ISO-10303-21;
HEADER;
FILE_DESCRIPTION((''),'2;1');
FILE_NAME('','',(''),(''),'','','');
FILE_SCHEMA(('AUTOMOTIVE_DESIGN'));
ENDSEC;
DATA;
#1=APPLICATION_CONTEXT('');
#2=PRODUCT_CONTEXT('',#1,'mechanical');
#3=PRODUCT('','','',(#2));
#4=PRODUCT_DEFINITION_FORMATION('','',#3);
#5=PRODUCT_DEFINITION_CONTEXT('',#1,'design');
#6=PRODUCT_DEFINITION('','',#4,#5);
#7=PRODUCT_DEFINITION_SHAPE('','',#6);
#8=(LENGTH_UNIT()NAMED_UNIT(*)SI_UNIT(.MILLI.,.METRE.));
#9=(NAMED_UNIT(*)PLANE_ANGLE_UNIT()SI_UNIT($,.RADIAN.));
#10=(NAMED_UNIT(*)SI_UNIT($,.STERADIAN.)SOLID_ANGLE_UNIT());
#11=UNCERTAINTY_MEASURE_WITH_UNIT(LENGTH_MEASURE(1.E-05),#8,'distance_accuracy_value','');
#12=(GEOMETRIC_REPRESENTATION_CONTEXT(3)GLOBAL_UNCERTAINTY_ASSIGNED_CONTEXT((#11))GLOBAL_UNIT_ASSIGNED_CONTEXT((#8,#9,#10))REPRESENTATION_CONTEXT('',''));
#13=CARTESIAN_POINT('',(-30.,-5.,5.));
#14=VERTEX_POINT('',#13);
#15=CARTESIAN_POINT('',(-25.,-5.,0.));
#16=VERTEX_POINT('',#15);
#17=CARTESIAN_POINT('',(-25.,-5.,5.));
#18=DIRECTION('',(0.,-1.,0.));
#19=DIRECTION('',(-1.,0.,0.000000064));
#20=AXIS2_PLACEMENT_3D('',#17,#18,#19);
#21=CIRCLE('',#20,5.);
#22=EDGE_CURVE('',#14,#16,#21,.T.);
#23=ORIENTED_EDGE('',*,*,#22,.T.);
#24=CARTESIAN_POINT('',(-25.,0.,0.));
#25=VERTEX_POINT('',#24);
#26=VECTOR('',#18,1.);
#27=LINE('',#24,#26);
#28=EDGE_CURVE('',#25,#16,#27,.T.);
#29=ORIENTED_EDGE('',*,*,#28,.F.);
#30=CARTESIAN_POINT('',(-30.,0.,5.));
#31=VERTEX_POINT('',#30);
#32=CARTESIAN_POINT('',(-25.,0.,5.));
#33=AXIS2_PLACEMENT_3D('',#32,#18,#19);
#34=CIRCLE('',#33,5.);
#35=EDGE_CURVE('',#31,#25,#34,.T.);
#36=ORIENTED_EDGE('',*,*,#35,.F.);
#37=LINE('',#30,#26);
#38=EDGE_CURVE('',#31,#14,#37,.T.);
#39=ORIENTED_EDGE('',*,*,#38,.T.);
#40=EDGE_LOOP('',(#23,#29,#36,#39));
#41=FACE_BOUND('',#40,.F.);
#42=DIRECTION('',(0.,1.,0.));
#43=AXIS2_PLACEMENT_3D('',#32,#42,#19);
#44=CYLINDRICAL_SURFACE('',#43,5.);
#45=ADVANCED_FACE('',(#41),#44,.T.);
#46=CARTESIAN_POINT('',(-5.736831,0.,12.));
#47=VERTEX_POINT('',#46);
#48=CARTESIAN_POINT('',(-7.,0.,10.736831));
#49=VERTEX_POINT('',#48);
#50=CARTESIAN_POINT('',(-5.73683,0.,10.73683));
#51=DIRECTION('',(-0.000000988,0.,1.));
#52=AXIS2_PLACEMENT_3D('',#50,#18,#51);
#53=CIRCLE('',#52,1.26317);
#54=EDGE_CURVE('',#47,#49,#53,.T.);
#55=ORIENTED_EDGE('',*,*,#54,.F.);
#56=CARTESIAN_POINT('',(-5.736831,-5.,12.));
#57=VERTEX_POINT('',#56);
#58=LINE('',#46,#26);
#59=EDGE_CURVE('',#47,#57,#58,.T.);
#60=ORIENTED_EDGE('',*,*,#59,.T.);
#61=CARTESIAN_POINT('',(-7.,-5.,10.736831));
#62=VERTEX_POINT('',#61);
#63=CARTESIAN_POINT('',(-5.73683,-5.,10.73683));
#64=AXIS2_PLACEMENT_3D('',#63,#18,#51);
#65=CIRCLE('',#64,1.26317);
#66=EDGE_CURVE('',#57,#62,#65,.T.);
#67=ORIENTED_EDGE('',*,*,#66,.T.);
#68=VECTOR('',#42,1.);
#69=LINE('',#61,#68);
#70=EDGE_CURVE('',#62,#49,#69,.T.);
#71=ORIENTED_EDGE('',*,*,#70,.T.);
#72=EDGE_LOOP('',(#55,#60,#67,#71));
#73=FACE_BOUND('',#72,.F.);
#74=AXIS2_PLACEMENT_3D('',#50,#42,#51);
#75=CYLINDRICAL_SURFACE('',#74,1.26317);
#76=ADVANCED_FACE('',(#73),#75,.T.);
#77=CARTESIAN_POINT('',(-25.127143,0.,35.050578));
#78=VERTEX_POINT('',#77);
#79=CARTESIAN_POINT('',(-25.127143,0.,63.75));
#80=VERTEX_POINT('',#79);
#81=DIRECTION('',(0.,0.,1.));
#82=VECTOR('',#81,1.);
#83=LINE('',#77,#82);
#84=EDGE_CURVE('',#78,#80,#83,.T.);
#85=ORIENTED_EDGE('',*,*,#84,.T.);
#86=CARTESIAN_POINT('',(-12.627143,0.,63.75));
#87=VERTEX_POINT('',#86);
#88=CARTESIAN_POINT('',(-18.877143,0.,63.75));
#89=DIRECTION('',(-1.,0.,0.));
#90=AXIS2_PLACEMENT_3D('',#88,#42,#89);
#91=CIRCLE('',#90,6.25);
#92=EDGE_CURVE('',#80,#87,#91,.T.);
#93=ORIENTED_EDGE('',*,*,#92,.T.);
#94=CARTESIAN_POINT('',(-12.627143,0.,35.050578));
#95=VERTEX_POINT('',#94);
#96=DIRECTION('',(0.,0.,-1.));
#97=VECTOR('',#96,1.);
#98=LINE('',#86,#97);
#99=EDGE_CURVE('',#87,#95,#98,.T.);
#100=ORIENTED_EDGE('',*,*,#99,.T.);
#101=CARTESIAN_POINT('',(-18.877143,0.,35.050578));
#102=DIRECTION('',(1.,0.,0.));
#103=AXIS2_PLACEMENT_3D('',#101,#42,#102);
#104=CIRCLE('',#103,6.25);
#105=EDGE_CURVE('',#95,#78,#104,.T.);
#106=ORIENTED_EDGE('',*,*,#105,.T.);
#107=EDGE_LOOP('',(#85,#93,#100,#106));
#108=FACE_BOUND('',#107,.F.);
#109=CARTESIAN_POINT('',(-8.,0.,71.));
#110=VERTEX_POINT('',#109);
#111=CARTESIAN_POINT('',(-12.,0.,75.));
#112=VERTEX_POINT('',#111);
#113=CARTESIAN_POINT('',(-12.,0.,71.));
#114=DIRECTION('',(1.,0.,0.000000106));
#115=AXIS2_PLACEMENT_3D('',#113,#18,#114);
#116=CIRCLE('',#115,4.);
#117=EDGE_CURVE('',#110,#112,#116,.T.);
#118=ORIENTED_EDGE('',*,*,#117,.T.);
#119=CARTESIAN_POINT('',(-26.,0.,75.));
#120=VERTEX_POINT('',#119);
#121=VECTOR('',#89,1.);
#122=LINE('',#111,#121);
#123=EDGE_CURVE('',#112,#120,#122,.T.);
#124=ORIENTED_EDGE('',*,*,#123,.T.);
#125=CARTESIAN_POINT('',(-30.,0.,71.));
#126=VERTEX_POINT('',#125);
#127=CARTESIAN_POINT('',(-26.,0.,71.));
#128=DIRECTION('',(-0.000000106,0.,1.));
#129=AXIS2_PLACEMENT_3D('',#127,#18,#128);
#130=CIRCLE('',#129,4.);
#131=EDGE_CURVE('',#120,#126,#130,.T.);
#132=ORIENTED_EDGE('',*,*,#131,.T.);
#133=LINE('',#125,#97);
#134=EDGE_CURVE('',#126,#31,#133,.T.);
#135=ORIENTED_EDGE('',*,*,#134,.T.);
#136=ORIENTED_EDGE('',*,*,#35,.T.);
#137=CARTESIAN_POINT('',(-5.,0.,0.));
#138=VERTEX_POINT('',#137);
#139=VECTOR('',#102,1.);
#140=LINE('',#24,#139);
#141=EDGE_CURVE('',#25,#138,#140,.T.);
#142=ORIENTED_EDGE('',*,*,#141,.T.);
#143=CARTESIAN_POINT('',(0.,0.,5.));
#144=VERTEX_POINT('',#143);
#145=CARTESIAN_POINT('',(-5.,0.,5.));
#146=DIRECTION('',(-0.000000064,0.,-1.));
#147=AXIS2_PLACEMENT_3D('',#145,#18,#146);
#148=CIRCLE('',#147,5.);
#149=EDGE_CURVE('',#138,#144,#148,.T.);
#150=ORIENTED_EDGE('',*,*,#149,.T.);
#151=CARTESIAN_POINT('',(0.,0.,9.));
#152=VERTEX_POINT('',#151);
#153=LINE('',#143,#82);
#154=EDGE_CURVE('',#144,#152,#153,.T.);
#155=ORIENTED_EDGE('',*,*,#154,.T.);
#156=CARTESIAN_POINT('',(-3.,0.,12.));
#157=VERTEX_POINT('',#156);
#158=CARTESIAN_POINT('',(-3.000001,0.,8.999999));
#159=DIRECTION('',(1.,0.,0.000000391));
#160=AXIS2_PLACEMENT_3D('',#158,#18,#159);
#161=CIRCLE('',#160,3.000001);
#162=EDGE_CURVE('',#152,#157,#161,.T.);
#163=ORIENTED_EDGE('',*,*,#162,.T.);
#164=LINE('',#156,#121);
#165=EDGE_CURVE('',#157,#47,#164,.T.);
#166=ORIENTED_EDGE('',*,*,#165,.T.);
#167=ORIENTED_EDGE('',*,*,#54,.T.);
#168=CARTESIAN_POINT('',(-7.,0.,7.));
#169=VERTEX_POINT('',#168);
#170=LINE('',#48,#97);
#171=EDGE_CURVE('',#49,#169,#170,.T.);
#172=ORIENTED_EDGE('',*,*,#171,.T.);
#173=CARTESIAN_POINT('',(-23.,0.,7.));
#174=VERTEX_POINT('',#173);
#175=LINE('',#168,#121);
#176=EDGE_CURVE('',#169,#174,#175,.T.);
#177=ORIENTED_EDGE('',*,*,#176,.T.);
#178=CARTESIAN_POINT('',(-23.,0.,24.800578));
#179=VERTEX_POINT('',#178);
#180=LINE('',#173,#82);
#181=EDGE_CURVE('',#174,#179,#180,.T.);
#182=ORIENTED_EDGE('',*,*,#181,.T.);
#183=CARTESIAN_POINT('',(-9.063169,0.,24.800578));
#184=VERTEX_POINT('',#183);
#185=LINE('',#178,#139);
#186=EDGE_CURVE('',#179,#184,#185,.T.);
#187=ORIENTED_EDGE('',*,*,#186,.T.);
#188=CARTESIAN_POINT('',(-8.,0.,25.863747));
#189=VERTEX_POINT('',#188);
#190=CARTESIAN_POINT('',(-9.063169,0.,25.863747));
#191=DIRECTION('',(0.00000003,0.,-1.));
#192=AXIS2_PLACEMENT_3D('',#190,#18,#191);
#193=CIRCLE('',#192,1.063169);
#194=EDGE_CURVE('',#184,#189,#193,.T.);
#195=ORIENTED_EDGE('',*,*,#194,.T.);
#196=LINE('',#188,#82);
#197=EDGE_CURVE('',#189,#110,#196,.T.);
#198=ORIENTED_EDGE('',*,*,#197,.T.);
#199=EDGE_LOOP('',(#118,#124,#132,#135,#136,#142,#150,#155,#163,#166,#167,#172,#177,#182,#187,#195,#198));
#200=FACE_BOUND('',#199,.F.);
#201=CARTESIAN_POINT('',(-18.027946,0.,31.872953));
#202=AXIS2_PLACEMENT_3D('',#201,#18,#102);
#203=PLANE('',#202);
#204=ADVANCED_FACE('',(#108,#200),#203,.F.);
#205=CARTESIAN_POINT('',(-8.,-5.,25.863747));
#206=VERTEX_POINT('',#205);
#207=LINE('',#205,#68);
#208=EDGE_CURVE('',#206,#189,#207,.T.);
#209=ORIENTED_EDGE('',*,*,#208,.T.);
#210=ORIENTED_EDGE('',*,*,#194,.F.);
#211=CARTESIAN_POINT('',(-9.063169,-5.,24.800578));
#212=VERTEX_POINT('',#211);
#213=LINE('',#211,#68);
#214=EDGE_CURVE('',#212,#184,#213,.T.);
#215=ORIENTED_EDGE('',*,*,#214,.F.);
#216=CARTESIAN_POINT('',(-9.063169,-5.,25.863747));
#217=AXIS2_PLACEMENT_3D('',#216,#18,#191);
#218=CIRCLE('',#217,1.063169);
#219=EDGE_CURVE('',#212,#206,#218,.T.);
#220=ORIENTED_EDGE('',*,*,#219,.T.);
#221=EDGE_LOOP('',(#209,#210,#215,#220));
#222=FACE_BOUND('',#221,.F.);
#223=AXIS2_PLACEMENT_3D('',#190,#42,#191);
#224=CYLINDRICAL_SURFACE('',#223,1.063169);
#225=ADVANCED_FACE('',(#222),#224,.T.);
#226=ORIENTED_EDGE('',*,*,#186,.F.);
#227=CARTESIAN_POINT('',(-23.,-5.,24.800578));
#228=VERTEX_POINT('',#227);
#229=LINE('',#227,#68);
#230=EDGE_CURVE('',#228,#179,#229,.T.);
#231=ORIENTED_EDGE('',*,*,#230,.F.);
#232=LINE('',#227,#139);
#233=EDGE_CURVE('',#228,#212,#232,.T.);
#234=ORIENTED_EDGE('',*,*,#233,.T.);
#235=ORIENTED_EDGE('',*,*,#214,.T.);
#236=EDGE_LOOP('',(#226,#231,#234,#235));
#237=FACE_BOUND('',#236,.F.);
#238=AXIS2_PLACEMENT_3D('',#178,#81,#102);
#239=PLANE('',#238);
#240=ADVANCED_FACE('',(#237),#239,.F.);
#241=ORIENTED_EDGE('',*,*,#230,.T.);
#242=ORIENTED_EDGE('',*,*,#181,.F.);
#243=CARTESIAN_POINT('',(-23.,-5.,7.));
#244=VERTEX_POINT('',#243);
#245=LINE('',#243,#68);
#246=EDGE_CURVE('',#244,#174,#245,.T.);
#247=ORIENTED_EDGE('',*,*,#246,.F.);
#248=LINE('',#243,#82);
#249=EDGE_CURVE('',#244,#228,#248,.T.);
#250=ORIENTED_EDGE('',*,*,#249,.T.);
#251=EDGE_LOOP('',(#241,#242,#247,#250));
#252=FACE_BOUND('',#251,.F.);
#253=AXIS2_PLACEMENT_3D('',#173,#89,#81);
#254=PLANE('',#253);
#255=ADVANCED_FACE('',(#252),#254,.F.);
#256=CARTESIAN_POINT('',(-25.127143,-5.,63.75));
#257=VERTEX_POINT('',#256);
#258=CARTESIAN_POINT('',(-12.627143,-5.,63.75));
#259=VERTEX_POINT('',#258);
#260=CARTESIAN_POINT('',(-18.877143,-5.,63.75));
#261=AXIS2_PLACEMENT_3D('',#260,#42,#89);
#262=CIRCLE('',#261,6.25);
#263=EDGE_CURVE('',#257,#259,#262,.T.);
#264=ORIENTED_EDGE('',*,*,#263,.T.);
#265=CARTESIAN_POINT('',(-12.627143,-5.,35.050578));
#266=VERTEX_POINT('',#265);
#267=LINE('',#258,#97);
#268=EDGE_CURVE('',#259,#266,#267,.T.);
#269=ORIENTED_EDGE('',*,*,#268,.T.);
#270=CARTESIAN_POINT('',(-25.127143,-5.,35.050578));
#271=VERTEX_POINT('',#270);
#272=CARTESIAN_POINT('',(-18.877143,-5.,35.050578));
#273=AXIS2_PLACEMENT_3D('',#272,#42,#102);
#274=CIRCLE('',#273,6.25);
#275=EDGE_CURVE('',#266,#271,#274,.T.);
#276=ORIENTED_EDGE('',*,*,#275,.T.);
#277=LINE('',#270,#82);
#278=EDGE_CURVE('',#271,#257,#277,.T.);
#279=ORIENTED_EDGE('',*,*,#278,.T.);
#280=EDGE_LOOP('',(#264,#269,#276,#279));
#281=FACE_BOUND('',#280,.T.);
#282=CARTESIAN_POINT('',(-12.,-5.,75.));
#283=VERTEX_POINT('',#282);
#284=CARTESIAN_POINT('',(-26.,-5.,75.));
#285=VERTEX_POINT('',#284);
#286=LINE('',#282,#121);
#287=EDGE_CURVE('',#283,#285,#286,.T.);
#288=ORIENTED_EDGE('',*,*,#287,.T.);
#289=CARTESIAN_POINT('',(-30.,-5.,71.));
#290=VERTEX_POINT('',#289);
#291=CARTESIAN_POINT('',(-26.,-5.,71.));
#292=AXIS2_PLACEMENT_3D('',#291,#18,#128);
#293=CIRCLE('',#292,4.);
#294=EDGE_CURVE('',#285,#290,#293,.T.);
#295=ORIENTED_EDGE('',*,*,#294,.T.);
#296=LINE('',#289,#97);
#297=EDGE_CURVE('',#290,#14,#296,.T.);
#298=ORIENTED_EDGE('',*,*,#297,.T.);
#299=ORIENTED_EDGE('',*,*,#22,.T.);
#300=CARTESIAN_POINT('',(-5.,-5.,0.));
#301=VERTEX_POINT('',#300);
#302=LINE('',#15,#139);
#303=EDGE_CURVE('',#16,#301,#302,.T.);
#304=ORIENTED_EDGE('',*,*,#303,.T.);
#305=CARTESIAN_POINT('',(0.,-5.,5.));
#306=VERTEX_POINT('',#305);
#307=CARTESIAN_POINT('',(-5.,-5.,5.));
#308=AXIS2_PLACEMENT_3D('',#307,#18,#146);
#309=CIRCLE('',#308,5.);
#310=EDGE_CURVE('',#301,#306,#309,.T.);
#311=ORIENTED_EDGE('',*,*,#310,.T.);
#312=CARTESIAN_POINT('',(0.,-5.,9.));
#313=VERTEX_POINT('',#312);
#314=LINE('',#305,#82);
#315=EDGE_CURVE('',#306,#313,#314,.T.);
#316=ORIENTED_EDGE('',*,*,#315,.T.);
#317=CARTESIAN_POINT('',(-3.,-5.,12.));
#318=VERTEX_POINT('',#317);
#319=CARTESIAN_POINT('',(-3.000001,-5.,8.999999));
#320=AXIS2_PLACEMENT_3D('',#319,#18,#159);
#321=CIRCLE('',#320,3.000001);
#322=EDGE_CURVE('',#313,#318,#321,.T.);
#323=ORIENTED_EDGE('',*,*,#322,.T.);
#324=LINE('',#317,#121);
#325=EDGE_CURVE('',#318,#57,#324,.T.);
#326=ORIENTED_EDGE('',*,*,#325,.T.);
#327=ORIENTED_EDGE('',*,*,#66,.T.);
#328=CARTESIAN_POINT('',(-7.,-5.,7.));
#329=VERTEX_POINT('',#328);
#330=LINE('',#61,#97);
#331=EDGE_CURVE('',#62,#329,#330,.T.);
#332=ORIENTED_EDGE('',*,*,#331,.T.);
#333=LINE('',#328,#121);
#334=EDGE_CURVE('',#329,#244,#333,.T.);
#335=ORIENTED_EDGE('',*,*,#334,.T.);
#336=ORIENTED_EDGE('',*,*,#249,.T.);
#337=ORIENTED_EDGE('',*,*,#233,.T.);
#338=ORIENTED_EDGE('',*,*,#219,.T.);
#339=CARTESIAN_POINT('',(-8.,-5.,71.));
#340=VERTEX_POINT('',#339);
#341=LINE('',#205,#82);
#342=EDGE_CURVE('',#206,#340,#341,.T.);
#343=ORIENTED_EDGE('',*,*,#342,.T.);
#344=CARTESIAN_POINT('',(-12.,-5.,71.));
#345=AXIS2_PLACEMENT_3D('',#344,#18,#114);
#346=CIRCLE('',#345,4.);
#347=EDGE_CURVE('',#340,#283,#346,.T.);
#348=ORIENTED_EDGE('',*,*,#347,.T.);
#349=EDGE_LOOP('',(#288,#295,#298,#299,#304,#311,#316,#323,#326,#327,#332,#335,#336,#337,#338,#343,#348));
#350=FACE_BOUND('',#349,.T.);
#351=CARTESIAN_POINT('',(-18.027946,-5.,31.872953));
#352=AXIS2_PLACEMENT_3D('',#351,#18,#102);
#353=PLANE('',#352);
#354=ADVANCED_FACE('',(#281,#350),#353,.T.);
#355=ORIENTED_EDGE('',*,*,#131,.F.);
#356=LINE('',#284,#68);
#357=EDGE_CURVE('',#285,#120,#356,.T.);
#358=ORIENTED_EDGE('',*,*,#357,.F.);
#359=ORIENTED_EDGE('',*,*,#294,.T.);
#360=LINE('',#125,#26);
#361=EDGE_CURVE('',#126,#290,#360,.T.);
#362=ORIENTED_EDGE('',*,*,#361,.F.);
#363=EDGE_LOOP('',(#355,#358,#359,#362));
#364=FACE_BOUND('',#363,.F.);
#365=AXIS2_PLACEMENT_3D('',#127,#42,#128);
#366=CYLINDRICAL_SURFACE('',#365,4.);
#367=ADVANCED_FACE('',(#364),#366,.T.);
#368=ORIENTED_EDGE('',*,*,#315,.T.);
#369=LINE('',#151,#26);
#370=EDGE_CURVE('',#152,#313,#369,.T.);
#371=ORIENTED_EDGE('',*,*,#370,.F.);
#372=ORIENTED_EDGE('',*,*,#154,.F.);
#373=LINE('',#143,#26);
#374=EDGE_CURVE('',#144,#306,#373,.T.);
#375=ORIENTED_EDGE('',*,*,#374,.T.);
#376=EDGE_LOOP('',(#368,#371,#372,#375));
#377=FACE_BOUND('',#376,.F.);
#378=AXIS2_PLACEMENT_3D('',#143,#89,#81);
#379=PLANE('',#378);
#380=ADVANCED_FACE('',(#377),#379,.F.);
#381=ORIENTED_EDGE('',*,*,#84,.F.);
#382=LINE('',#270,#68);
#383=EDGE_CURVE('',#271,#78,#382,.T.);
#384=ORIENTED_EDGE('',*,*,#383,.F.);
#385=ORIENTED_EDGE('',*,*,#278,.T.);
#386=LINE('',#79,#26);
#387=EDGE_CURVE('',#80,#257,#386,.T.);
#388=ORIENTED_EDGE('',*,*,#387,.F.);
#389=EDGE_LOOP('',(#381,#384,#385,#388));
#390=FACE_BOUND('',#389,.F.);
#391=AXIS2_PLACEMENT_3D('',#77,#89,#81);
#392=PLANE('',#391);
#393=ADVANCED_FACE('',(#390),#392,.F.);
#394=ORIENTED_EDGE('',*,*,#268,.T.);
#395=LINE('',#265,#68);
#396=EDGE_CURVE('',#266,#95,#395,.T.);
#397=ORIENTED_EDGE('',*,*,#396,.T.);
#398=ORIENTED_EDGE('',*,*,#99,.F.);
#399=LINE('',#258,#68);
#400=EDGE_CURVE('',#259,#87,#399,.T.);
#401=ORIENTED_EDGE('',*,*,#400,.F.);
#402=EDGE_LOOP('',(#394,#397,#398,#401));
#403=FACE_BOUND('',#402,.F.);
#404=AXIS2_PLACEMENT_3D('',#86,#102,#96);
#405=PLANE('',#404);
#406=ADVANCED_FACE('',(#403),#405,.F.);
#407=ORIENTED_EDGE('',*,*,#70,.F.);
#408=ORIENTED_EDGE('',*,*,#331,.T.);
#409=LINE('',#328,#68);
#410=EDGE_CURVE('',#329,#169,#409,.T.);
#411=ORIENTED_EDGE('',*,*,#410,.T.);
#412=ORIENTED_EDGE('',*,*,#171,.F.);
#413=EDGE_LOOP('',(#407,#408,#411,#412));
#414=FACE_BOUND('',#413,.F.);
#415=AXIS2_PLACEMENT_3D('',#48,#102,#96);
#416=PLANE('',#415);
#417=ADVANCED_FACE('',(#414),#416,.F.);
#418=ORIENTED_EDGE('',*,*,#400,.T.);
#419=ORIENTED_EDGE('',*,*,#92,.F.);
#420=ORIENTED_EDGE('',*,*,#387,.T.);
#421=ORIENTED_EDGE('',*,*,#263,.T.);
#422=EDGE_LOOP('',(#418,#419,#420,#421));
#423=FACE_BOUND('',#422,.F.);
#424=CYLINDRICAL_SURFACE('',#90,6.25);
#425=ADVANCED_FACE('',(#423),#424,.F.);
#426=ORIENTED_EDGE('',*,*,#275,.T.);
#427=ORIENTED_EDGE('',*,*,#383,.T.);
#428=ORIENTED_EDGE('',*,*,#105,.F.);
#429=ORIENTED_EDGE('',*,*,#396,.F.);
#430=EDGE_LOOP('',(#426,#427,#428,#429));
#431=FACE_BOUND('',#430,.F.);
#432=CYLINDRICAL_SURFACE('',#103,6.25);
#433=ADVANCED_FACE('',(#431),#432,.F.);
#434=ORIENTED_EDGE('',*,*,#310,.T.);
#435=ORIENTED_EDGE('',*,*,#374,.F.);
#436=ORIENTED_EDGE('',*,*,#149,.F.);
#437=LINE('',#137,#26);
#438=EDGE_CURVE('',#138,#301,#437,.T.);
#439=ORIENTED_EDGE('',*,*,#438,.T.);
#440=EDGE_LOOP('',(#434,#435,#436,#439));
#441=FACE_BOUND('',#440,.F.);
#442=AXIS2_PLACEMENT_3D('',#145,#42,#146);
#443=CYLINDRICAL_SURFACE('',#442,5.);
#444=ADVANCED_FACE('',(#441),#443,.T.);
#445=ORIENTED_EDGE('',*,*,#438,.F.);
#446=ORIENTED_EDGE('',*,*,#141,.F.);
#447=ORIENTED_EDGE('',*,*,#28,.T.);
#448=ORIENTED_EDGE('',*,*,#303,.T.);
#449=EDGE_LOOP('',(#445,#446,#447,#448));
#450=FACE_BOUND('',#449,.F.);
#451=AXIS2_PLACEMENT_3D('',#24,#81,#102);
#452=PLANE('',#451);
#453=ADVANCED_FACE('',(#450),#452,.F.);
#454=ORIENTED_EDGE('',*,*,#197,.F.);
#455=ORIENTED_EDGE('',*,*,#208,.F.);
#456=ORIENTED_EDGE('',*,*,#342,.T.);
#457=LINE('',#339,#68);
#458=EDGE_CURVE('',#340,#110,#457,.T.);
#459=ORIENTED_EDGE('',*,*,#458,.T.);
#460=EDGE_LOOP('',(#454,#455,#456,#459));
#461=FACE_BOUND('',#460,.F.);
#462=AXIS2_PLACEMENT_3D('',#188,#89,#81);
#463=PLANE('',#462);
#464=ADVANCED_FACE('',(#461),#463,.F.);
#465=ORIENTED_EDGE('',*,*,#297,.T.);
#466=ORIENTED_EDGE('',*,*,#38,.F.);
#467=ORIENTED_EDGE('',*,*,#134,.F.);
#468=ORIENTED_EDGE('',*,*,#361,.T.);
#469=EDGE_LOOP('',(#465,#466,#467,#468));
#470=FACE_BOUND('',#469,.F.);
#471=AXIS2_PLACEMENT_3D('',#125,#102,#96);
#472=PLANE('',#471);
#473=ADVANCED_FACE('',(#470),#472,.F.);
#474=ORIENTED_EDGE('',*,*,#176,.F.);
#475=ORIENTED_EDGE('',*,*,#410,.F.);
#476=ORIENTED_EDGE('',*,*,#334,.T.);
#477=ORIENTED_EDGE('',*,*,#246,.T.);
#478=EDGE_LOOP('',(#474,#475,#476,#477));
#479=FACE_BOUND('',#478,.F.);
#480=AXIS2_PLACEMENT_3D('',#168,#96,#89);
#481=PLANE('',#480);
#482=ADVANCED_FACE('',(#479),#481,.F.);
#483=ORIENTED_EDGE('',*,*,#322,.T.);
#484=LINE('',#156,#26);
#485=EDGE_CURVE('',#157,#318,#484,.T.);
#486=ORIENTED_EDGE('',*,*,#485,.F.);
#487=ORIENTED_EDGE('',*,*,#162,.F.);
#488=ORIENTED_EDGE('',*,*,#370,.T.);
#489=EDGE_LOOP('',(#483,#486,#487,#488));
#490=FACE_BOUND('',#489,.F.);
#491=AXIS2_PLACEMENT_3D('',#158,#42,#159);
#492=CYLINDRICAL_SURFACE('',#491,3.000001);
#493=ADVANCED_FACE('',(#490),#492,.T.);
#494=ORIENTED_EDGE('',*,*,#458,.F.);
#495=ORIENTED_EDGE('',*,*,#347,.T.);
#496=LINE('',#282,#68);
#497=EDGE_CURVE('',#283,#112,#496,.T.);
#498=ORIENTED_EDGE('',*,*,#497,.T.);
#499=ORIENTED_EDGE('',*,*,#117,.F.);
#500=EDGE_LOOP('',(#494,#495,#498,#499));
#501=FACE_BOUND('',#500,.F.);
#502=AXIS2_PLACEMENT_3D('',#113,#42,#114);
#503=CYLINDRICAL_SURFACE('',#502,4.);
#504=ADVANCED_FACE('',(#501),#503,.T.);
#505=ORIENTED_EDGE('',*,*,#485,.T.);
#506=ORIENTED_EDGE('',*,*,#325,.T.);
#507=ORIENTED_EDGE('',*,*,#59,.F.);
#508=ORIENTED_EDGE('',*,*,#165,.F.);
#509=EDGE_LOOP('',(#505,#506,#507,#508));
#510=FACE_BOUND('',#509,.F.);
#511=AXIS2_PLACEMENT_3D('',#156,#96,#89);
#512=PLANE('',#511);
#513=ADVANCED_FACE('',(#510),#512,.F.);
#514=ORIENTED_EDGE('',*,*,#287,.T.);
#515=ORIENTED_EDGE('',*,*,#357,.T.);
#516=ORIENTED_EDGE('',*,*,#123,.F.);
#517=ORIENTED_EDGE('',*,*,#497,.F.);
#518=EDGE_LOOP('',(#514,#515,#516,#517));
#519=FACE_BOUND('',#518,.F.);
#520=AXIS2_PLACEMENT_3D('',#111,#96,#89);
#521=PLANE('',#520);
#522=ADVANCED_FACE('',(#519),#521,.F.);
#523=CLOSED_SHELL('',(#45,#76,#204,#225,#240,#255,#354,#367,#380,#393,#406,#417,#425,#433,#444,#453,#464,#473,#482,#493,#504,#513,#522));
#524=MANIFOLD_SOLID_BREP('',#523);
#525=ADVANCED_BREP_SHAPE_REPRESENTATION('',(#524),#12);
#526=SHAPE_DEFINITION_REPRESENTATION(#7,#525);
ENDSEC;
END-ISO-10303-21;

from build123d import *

# Parameters (mm, degrees)
F1_DEPTH = 4
F2_DEPTH = 5


with BuildPart() as f1:
    # F0 (on Front) → F1 (new body)
    with BuildSketch(Plane.XZ):
        with BuildLine():
            ThreePointArc((-26, 75), (-28.828427, 73.828427), (-30, 71))
            Line((-30, 71), (-30, 5))
            ThreePointArc((-30, 5), (-28.535534, 1.464466), (-25, 0))
            Line((-25, 0), (-5, 0))
            ThreePointArc((-5, 0), (-1.464466, 1.464466), (0, 5))
            Line((0, 5), (0, 9))
            ThreePointArc((0, 9), (-0.87868, 11.12132), (-3, 12))
            Line((-3, 12), (-5.736831, 12))
            ThreePointArc((-5.736831, 12), (-6.630026, 11.630026), (-7, 10.736831))
            Line((-7, 10.736831), (-7, 7))
            Line((-7, 7), (-23, 7))
            Line((-23, 7), (-23, 24.800578))
            Line((-23, 24.800578), (-9.063169, 24.800578))
            ThreePointArc((-9.063169, 24.800578), (-8.311395, 25.111973), (-8, 25.863747))
            Line((-8, 25.863747), (-8, 71))
            ThreePointArc((-8, 71), (-9.171573, 73.828427), (-12, 75))
            Line((-12, 75), (-26, 75))
        make_face()
        with BuildLine():
            ThreePointArc((-25.127143, 63.75), (-18.877143, 70), (-12.627143, 63.75))
            Line((-12.627143, 63.75), (-12.627143, 35.050578))
            ThreePointArc((-12.627143, 35.050578), (-18.877143, 28.800578), (-25.127143, 35.050578))
            Line((-25.127143, 35.050578), (-25.127143, 63.75))
        make_face(mode=Mode.SUBTRACT)
    extrude(amount=F1_DEPTH)

    # F0 (on Front) → F2 (join)
    with BuildSketch(Plane.XZ):
        with BuildLine():
            ThreePointArc((-26, 75), (-28.828427, 73.828427), (-30, 71))
            Line((-30, 71), (-30, 5))
            ThreePointArc((-30, 5), (-28.535534, 1.464466), (-25, 0))
            Line((-25, 0), (-5, 0))
            ThreePointArc((-5, 0), (-1.464466, 1.464466), (0, 5))
            Line((0, 5), (0, 9))
            ThreePointArc((0, 9), (-0.87868, 11.12132), (-3, 12))
            Line((-3, 12), (-5.736831, 12))
            ThreePointArc((-5.736831, 12), (-6.630026, 11.630026), (-7, 10.736831))
            Line((-7, 10.736831), (-7, 7))
            Line((-7, 7), (-23, 7))
            Line((-23, 7), (-23, 24.800578))
            Line((-23, 24.800578), (-9.063169, 24.800578))
            ThreePointArc((-9.063169, 24.800578), (-8.311395, 25.111973), (-8, 25.863747))
            Line((-8, 25.863747), (-8, 71))
            ThreePointArc((-8, 71), (-9.171573, 73.828427), (-12, 75))
            Line((-12, 75), (-26, 75))
        make_face()
        with BuildLine():
            ThreePointArc((-25.127143, 63.75), (-18.877143, 70), (-12.627143, 63.75))
            Line((-12.627143, 63.75), (-12.627143, 35.050578))
            ThreePointArc((-12.627143, 35.050578), (-18.877143, 28.800578), (-25.127143, 35.050578))
            Line((-25.127143, 35.050578), (-25.127143, 63.75))
        make_face(mode=Mode.SUBTRACT)
    extrude(amount=F2_DEPTH)


solid = f1.part
